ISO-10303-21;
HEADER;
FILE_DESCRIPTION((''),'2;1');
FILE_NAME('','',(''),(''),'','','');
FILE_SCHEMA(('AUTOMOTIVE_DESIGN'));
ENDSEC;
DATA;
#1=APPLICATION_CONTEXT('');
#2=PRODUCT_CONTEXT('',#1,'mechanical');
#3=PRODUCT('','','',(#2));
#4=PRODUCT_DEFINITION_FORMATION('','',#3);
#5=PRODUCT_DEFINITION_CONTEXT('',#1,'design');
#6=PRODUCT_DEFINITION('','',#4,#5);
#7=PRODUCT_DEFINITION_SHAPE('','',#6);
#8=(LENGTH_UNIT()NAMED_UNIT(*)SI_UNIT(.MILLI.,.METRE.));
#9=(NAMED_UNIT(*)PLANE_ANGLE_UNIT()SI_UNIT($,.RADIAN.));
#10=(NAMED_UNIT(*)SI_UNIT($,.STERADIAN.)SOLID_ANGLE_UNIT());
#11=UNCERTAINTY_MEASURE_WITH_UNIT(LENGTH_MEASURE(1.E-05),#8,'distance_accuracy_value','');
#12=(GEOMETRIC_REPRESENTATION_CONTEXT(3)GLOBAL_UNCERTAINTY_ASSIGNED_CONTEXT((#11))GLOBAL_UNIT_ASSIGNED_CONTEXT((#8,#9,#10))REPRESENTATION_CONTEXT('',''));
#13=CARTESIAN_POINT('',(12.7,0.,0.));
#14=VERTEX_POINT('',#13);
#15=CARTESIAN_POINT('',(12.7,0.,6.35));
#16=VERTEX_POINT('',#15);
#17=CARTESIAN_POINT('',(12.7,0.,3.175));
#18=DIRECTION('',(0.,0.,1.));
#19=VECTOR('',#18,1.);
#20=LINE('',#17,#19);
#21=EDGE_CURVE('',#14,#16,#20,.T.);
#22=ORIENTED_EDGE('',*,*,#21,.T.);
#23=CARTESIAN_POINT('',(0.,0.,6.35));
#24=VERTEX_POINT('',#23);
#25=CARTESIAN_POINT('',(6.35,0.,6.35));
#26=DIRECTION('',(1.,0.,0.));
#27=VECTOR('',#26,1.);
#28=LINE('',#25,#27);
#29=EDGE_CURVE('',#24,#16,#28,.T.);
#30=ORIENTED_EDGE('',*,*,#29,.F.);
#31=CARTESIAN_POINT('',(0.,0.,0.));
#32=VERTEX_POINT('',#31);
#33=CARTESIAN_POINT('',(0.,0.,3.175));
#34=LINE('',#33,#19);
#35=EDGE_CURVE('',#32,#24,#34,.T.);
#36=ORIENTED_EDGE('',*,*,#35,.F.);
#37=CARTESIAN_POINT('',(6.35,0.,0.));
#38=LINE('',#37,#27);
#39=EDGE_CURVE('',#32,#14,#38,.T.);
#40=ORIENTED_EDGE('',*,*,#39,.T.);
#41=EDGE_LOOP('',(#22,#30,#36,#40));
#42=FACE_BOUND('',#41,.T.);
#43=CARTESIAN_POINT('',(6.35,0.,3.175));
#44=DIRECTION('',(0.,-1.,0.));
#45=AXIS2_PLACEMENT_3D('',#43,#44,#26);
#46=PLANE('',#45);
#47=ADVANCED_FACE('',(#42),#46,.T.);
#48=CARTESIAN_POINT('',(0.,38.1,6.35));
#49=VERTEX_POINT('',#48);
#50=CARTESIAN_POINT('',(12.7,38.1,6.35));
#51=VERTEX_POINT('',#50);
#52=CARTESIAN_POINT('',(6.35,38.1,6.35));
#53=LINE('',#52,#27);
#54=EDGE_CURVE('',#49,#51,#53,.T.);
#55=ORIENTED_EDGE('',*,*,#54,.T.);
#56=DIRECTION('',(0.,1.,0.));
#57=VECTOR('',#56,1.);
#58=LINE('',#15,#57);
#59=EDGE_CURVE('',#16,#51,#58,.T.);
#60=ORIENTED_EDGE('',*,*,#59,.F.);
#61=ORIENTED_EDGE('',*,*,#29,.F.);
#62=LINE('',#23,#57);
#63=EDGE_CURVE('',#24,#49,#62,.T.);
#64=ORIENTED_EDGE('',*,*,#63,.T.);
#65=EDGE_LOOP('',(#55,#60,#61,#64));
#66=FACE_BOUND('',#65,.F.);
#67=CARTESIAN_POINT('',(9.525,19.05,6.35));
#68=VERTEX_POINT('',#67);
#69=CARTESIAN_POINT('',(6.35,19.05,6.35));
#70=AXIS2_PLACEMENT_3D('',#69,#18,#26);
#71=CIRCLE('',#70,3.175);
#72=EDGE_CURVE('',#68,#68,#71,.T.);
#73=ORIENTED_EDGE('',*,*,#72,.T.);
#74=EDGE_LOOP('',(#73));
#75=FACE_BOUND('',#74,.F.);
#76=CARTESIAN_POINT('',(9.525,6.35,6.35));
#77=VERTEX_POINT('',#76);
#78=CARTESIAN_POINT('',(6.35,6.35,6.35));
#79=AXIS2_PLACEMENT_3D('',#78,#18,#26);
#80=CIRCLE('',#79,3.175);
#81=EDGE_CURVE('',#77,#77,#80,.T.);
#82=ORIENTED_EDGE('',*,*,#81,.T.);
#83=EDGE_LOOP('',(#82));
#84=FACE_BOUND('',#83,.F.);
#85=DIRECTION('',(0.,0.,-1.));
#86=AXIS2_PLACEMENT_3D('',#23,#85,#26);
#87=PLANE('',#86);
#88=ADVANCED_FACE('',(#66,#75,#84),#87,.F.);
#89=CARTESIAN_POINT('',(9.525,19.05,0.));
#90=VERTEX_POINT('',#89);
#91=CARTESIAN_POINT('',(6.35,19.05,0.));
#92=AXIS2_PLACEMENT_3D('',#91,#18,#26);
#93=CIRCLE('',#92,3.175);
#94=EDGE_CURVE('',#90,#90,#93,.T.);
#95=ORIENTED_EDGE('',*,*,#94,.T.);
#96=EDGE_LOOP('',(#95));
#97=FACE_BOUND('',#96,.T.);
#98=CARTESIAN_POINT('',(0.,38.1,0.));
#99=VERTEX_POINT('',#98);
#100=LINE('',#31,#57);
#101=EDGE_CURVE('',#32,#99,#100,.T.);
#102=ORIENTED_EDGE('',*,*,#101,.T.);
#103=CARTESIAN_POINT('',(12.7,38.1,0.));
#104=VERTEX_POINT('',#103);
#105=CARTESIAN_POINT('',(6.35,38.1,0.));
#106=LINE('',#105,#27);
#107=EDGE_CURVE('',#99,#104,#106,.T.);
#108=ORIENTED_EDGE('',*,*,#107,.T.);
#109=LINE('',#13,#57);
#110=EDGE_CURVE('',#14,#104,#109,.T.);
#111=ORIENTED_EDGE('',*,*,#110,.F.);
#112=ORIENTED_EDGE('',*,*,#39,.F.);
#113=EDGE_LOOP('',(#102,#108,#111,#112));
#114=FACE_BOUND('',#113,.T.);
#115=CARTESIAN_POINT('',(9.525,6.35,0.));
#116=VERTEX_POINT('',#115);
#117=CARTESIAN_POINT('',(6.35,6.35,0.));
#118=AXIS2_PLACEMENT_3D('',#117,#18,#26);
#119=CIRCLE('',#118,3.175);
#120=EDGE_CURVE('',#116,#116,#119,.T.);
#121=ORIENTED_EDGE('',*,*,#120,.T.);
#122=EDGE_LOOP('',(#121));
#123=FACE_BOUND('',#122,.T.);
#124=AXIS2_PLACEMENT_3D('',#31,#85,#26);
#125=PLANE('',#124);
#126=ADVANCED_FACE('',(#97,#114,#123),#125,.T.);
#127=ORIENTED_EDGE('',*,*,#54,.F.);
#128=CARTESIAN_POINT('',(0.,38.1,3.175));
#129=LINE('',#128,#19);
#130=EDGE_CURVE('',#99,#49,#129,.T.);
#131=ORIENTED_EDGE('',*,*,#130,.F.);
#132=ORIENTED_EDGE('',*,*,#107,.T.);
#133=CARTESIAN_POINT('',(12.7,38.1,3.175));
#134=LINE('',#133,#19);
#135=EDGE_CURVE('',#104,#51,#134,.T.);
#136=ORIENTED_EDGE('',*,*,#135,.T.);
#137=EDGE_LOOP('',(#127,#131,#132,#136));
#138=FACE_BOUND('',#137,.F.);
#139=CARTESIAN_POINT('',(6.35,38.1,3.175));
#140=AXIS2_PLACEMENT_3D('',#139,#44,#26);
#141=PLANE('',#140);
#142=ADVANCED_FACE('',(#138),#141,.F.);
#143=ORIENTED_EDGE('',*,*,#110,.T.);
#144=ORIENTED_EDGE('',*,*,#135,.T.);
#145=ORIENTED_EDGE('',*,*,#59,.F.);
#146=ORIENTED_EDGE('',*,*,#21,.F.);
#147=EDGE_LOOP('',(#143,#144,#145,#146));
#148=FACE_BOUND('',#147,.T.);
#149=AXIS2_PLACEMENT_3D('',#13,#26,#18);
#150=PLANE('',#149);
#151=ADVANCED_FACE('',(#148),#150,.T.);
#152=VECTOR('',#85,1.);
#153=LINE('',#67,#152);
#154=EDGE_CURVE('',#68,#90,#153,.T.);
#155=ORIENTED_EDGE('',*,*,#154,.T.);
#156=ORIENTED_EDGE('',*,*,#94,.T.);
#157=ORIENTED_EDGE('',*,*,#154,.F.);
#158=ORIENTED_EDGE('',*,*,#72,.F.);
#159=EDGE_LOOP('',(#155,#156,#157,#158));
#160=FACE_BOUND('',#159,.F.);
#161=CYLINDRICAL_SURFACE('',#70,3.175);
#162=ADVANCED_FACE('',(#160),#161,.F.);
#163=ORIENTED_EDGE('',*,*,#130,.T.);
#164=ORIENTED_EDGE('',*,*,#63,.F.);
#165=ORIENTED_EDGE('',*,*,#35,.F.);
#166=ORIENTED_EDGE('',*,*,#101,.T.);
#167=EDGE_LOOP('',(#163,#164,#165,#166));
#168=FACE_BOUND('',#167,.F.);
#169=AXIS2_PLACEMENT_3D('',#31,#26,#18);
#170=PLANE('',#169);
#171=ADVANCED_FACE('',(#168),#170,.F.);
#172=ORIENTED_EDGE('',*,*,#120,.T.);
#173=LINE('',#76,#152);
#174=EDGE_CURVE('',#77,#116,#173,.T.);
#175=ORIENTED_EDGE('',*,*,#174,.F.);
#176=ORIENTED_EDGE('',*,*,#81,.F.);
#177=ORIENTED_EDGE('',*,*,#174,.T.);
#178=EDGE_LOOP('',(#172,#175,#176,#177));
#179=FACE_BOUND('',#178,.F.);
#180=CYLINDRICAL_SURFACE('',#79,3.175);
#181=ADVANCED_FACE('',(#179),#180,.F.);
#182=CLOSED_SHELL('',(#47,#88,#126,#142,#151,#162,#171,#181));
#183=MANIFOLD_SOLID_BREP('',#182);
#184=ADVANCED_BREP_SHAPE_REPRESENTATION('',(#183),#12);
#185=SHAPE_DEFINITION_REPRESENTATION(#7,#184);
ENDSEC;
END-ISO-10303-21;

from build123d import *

# Parameters (mm, degrees)
F0_W     = 12.7
F0_H     = 6.35
F1_DEPTH = 38.1
F2_R     = 3.175
F3_DEPTH = 6.351


with BuildPart() as f1:
    # F0 (on Front) → F1 (new body)
    with BuildSketch(Plane.XZ):
        with Locations((6.35, 3.175)):
            Rectangle(F0_W, F0_H)
    extrude(amount=-F1_DEPTH)

    # F2 (on face) → F3 (cut, through all)
    with BuildSketch(Plane.XY.offset(6.35)):
        with Locations((6.35, 19.05)):
            Circle(F2_R)
        with Locations((6.35, 6.35)):
            Circle(F2_R)
    extrude(amount=-F3_DEPTH, mode=Mode.SUBTRACT)


solid = f1.part
